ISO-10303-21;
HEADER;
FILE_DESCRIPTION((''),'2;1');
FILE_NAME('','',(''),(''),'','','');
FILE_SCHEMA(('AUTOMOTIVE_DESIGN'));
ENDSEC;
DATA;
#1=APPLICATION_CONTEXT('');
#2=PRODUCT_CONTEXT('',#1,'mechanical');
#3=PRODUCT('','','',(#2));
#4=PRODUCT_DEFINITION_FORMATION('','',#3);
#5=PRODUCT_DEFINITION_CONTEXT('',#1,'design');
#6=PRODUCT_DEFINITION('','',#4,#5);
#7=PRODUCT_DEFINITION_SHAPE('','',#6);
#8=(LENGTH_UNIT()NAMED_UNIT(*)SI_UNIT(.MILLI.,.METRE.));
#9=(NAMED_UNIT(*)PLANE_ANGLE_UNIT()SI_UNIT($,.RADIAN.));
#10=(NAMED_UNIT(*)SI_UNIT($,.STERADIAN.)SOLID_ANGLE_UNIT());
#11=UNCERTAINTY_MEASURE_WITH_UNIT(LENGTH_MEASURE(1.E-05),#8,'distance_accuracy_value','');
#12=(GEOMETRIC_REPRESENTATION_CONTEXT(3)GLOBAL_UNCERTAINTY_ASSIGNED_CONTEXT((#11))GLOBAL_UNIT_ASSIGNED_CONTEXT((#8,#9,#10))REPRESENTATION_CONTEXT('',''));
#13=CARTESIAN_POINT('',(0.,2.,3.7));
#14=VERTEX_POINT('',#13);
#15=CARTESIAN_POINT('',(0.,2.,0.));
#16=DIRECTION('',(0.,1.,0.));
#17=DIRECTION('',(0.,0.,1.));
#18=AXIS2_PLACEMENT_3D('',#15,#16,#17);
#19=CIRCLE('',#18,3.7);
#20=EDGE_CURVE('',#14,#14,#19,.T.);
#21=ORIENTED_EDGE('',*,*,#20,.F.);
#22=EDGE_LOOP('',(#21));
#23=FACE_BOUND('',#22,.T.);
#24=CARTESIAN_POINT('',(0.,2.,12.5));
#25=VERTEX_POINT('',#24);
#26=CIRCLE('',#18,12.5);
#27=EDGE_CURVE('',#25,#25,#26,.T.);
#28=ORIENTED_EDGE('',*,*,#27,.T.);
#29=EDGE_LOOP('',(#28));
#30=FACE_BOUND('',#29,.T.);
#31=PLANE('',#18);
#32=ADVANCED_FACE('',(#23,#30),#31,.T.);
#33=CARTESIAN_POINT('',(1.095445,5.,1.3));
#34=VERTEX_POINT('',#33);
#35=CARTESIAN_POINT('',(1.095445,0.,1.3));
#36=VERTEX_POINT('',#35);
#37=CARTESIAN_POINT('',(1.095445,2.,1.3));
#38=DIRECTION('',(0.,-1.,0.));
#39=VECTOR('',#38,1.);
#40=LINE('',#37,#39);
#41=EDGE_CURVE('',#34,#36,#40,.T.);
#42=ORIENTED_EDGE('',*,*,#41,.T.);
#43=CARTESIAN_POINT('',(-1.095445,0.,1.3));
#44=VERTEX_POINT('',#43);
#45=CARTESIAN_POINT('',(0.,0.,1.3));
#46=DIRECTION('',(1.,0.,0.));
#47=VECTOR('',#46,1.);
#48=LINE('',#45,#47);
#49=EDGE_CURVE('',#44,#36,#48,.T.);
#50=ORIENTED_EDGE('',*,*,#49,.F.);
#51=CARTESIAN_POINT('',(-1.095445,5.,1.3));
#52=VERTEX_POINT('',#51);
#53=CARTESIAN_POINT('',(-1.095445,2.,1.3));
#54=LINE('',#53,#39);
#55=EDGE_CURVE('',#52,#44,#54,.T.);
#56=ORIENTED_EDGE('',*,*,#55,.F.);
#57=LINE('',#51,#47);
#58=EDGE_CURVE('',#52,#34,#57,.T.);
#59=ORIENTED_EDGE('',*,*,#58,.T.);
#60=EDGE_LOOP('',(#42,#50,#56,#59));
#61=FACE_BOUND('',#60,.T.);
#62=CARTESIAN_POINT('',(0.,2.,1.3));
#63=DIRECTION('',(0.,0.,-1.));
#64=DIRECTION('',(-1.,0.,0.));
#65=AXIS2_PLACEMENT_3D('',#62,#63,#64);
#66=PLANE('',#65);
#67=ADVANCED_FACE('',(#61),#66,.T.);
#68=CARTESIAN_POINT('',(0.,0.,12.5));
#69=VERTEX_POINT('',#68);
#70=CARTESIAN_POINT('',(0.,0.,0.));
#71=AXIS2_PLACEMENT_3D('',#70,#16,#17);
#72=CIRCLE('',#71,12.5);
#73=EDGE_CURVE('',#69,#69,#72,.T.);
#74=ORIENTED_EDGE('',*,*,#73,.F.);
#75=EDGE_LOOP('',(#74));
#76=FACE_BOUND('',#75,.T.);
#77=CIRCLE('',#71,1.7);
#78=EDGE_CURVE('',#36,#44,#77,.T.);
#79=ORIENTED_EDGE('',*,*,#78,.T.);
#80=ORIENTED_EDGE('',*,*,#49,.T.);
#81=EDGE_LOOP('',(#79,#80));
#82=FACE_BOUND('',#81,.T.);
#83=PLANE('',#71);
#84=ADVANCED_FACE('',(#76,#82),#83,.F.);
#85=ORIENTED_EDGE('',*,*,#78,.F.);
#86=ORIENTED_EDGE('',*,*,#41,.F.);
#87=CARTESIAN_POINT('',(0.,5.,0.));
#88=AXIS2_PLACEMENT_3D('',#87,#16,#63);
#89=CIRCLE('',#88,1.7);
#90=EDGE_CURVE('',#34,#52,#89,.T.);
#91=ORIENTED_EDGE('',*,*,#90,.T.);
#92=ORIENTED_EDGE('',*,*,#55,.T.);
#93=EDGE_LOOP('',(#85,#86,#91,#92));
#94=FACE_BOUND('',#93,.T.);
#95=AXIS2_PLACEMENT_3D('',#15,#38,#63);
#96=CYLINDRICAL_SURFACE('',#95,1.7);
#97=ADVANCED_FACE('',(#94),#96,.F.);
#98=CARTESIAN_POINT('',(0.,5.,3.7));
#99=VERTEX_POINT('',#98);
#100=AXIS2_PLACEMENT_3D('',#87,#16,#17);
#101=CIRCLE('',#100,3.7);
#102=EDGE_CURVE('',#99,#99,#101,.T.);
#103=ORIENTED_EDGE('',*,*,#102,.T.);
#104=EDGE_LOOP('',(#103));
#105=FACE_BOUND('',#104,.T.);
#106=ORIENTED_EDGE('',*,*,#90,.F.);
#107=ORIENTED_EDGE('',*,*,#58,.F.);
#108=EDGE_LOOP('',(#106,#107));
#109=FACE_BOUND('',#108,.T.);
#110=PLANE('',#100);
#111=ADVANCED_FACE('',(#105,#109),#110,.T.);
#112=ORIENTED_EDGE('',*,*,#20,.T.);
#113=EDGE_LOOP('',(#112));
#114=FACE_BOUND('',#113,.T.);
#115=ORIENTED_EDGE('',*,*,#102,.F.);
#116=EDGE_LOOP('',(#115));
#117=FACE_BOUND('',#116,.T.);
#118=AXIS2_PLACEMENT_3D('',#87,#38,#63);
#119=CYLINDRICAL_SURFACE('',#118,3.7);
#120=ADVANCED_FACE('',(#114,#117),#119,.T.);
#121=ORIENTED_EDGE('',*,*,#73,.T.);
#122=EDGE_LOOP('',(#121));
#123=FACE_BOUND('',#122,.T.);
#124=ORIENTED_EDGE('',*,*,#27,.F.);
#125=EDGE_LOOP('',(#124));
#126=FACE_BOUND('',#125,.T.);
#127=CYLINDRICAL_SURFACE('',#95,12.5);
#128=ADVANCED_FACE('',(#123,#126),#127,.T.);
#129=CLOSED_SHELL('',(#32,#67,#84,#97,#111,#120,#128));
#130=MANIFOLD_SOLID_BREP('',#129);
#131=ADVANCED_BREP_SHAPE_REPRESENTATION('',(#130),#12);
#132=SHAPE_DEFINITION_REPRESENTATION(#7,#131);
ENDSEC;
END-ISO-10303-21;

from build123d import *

# Parameters (mm, degrees)
SKETCH1_R           = 12.5
BOSS_EXTRUDE1_DEPTH = 2
SKETCH2_R           = 3.7
BOSS_EXTRUDE2_DEPTH = 3


with BuildPart() as part:
    # Sketch1 → Boss-Extrude1 (new body)
    with BuildSketch(Plane(origin=(0, 0, 0), x_dir=(1, 0, 0), z_dir=(0, 1, 0))):
        Circle(SKETCH1_R)
        with BuildLine():
            Line((1.095445115, -1.3), (-1.095445115, -1.3))
            ThreePointArc((-1.095445115, -1.3), (0, 1.7), (1.095445115, -1.3))
        make_face(mode=Mode.SUBTRACT)
    extrude(amount=BOSS_EXTRUDE1_DEPTH)

    # Sketch2 → Boss-Extrude2 (add)
    with BuildSketch(Plane(origin=(0, 2, 0), x_dir=(1, 0, 0), z_dir=(0, 1, 0))):
        Circle(SKETCH2_R)
        with BuildLine():
            Line((-1.095445115, -1.3), (1.095445115, -1.3))
            ThreePointArc((1.095445115, -1.3), (0, 1.7), (-1.095445115, -1.3))
        make_face(mode=Mode.SUBTRACT)
    extrude(amount=BOSS_EXTRUDE2_DEPTH)


solid = part.part
